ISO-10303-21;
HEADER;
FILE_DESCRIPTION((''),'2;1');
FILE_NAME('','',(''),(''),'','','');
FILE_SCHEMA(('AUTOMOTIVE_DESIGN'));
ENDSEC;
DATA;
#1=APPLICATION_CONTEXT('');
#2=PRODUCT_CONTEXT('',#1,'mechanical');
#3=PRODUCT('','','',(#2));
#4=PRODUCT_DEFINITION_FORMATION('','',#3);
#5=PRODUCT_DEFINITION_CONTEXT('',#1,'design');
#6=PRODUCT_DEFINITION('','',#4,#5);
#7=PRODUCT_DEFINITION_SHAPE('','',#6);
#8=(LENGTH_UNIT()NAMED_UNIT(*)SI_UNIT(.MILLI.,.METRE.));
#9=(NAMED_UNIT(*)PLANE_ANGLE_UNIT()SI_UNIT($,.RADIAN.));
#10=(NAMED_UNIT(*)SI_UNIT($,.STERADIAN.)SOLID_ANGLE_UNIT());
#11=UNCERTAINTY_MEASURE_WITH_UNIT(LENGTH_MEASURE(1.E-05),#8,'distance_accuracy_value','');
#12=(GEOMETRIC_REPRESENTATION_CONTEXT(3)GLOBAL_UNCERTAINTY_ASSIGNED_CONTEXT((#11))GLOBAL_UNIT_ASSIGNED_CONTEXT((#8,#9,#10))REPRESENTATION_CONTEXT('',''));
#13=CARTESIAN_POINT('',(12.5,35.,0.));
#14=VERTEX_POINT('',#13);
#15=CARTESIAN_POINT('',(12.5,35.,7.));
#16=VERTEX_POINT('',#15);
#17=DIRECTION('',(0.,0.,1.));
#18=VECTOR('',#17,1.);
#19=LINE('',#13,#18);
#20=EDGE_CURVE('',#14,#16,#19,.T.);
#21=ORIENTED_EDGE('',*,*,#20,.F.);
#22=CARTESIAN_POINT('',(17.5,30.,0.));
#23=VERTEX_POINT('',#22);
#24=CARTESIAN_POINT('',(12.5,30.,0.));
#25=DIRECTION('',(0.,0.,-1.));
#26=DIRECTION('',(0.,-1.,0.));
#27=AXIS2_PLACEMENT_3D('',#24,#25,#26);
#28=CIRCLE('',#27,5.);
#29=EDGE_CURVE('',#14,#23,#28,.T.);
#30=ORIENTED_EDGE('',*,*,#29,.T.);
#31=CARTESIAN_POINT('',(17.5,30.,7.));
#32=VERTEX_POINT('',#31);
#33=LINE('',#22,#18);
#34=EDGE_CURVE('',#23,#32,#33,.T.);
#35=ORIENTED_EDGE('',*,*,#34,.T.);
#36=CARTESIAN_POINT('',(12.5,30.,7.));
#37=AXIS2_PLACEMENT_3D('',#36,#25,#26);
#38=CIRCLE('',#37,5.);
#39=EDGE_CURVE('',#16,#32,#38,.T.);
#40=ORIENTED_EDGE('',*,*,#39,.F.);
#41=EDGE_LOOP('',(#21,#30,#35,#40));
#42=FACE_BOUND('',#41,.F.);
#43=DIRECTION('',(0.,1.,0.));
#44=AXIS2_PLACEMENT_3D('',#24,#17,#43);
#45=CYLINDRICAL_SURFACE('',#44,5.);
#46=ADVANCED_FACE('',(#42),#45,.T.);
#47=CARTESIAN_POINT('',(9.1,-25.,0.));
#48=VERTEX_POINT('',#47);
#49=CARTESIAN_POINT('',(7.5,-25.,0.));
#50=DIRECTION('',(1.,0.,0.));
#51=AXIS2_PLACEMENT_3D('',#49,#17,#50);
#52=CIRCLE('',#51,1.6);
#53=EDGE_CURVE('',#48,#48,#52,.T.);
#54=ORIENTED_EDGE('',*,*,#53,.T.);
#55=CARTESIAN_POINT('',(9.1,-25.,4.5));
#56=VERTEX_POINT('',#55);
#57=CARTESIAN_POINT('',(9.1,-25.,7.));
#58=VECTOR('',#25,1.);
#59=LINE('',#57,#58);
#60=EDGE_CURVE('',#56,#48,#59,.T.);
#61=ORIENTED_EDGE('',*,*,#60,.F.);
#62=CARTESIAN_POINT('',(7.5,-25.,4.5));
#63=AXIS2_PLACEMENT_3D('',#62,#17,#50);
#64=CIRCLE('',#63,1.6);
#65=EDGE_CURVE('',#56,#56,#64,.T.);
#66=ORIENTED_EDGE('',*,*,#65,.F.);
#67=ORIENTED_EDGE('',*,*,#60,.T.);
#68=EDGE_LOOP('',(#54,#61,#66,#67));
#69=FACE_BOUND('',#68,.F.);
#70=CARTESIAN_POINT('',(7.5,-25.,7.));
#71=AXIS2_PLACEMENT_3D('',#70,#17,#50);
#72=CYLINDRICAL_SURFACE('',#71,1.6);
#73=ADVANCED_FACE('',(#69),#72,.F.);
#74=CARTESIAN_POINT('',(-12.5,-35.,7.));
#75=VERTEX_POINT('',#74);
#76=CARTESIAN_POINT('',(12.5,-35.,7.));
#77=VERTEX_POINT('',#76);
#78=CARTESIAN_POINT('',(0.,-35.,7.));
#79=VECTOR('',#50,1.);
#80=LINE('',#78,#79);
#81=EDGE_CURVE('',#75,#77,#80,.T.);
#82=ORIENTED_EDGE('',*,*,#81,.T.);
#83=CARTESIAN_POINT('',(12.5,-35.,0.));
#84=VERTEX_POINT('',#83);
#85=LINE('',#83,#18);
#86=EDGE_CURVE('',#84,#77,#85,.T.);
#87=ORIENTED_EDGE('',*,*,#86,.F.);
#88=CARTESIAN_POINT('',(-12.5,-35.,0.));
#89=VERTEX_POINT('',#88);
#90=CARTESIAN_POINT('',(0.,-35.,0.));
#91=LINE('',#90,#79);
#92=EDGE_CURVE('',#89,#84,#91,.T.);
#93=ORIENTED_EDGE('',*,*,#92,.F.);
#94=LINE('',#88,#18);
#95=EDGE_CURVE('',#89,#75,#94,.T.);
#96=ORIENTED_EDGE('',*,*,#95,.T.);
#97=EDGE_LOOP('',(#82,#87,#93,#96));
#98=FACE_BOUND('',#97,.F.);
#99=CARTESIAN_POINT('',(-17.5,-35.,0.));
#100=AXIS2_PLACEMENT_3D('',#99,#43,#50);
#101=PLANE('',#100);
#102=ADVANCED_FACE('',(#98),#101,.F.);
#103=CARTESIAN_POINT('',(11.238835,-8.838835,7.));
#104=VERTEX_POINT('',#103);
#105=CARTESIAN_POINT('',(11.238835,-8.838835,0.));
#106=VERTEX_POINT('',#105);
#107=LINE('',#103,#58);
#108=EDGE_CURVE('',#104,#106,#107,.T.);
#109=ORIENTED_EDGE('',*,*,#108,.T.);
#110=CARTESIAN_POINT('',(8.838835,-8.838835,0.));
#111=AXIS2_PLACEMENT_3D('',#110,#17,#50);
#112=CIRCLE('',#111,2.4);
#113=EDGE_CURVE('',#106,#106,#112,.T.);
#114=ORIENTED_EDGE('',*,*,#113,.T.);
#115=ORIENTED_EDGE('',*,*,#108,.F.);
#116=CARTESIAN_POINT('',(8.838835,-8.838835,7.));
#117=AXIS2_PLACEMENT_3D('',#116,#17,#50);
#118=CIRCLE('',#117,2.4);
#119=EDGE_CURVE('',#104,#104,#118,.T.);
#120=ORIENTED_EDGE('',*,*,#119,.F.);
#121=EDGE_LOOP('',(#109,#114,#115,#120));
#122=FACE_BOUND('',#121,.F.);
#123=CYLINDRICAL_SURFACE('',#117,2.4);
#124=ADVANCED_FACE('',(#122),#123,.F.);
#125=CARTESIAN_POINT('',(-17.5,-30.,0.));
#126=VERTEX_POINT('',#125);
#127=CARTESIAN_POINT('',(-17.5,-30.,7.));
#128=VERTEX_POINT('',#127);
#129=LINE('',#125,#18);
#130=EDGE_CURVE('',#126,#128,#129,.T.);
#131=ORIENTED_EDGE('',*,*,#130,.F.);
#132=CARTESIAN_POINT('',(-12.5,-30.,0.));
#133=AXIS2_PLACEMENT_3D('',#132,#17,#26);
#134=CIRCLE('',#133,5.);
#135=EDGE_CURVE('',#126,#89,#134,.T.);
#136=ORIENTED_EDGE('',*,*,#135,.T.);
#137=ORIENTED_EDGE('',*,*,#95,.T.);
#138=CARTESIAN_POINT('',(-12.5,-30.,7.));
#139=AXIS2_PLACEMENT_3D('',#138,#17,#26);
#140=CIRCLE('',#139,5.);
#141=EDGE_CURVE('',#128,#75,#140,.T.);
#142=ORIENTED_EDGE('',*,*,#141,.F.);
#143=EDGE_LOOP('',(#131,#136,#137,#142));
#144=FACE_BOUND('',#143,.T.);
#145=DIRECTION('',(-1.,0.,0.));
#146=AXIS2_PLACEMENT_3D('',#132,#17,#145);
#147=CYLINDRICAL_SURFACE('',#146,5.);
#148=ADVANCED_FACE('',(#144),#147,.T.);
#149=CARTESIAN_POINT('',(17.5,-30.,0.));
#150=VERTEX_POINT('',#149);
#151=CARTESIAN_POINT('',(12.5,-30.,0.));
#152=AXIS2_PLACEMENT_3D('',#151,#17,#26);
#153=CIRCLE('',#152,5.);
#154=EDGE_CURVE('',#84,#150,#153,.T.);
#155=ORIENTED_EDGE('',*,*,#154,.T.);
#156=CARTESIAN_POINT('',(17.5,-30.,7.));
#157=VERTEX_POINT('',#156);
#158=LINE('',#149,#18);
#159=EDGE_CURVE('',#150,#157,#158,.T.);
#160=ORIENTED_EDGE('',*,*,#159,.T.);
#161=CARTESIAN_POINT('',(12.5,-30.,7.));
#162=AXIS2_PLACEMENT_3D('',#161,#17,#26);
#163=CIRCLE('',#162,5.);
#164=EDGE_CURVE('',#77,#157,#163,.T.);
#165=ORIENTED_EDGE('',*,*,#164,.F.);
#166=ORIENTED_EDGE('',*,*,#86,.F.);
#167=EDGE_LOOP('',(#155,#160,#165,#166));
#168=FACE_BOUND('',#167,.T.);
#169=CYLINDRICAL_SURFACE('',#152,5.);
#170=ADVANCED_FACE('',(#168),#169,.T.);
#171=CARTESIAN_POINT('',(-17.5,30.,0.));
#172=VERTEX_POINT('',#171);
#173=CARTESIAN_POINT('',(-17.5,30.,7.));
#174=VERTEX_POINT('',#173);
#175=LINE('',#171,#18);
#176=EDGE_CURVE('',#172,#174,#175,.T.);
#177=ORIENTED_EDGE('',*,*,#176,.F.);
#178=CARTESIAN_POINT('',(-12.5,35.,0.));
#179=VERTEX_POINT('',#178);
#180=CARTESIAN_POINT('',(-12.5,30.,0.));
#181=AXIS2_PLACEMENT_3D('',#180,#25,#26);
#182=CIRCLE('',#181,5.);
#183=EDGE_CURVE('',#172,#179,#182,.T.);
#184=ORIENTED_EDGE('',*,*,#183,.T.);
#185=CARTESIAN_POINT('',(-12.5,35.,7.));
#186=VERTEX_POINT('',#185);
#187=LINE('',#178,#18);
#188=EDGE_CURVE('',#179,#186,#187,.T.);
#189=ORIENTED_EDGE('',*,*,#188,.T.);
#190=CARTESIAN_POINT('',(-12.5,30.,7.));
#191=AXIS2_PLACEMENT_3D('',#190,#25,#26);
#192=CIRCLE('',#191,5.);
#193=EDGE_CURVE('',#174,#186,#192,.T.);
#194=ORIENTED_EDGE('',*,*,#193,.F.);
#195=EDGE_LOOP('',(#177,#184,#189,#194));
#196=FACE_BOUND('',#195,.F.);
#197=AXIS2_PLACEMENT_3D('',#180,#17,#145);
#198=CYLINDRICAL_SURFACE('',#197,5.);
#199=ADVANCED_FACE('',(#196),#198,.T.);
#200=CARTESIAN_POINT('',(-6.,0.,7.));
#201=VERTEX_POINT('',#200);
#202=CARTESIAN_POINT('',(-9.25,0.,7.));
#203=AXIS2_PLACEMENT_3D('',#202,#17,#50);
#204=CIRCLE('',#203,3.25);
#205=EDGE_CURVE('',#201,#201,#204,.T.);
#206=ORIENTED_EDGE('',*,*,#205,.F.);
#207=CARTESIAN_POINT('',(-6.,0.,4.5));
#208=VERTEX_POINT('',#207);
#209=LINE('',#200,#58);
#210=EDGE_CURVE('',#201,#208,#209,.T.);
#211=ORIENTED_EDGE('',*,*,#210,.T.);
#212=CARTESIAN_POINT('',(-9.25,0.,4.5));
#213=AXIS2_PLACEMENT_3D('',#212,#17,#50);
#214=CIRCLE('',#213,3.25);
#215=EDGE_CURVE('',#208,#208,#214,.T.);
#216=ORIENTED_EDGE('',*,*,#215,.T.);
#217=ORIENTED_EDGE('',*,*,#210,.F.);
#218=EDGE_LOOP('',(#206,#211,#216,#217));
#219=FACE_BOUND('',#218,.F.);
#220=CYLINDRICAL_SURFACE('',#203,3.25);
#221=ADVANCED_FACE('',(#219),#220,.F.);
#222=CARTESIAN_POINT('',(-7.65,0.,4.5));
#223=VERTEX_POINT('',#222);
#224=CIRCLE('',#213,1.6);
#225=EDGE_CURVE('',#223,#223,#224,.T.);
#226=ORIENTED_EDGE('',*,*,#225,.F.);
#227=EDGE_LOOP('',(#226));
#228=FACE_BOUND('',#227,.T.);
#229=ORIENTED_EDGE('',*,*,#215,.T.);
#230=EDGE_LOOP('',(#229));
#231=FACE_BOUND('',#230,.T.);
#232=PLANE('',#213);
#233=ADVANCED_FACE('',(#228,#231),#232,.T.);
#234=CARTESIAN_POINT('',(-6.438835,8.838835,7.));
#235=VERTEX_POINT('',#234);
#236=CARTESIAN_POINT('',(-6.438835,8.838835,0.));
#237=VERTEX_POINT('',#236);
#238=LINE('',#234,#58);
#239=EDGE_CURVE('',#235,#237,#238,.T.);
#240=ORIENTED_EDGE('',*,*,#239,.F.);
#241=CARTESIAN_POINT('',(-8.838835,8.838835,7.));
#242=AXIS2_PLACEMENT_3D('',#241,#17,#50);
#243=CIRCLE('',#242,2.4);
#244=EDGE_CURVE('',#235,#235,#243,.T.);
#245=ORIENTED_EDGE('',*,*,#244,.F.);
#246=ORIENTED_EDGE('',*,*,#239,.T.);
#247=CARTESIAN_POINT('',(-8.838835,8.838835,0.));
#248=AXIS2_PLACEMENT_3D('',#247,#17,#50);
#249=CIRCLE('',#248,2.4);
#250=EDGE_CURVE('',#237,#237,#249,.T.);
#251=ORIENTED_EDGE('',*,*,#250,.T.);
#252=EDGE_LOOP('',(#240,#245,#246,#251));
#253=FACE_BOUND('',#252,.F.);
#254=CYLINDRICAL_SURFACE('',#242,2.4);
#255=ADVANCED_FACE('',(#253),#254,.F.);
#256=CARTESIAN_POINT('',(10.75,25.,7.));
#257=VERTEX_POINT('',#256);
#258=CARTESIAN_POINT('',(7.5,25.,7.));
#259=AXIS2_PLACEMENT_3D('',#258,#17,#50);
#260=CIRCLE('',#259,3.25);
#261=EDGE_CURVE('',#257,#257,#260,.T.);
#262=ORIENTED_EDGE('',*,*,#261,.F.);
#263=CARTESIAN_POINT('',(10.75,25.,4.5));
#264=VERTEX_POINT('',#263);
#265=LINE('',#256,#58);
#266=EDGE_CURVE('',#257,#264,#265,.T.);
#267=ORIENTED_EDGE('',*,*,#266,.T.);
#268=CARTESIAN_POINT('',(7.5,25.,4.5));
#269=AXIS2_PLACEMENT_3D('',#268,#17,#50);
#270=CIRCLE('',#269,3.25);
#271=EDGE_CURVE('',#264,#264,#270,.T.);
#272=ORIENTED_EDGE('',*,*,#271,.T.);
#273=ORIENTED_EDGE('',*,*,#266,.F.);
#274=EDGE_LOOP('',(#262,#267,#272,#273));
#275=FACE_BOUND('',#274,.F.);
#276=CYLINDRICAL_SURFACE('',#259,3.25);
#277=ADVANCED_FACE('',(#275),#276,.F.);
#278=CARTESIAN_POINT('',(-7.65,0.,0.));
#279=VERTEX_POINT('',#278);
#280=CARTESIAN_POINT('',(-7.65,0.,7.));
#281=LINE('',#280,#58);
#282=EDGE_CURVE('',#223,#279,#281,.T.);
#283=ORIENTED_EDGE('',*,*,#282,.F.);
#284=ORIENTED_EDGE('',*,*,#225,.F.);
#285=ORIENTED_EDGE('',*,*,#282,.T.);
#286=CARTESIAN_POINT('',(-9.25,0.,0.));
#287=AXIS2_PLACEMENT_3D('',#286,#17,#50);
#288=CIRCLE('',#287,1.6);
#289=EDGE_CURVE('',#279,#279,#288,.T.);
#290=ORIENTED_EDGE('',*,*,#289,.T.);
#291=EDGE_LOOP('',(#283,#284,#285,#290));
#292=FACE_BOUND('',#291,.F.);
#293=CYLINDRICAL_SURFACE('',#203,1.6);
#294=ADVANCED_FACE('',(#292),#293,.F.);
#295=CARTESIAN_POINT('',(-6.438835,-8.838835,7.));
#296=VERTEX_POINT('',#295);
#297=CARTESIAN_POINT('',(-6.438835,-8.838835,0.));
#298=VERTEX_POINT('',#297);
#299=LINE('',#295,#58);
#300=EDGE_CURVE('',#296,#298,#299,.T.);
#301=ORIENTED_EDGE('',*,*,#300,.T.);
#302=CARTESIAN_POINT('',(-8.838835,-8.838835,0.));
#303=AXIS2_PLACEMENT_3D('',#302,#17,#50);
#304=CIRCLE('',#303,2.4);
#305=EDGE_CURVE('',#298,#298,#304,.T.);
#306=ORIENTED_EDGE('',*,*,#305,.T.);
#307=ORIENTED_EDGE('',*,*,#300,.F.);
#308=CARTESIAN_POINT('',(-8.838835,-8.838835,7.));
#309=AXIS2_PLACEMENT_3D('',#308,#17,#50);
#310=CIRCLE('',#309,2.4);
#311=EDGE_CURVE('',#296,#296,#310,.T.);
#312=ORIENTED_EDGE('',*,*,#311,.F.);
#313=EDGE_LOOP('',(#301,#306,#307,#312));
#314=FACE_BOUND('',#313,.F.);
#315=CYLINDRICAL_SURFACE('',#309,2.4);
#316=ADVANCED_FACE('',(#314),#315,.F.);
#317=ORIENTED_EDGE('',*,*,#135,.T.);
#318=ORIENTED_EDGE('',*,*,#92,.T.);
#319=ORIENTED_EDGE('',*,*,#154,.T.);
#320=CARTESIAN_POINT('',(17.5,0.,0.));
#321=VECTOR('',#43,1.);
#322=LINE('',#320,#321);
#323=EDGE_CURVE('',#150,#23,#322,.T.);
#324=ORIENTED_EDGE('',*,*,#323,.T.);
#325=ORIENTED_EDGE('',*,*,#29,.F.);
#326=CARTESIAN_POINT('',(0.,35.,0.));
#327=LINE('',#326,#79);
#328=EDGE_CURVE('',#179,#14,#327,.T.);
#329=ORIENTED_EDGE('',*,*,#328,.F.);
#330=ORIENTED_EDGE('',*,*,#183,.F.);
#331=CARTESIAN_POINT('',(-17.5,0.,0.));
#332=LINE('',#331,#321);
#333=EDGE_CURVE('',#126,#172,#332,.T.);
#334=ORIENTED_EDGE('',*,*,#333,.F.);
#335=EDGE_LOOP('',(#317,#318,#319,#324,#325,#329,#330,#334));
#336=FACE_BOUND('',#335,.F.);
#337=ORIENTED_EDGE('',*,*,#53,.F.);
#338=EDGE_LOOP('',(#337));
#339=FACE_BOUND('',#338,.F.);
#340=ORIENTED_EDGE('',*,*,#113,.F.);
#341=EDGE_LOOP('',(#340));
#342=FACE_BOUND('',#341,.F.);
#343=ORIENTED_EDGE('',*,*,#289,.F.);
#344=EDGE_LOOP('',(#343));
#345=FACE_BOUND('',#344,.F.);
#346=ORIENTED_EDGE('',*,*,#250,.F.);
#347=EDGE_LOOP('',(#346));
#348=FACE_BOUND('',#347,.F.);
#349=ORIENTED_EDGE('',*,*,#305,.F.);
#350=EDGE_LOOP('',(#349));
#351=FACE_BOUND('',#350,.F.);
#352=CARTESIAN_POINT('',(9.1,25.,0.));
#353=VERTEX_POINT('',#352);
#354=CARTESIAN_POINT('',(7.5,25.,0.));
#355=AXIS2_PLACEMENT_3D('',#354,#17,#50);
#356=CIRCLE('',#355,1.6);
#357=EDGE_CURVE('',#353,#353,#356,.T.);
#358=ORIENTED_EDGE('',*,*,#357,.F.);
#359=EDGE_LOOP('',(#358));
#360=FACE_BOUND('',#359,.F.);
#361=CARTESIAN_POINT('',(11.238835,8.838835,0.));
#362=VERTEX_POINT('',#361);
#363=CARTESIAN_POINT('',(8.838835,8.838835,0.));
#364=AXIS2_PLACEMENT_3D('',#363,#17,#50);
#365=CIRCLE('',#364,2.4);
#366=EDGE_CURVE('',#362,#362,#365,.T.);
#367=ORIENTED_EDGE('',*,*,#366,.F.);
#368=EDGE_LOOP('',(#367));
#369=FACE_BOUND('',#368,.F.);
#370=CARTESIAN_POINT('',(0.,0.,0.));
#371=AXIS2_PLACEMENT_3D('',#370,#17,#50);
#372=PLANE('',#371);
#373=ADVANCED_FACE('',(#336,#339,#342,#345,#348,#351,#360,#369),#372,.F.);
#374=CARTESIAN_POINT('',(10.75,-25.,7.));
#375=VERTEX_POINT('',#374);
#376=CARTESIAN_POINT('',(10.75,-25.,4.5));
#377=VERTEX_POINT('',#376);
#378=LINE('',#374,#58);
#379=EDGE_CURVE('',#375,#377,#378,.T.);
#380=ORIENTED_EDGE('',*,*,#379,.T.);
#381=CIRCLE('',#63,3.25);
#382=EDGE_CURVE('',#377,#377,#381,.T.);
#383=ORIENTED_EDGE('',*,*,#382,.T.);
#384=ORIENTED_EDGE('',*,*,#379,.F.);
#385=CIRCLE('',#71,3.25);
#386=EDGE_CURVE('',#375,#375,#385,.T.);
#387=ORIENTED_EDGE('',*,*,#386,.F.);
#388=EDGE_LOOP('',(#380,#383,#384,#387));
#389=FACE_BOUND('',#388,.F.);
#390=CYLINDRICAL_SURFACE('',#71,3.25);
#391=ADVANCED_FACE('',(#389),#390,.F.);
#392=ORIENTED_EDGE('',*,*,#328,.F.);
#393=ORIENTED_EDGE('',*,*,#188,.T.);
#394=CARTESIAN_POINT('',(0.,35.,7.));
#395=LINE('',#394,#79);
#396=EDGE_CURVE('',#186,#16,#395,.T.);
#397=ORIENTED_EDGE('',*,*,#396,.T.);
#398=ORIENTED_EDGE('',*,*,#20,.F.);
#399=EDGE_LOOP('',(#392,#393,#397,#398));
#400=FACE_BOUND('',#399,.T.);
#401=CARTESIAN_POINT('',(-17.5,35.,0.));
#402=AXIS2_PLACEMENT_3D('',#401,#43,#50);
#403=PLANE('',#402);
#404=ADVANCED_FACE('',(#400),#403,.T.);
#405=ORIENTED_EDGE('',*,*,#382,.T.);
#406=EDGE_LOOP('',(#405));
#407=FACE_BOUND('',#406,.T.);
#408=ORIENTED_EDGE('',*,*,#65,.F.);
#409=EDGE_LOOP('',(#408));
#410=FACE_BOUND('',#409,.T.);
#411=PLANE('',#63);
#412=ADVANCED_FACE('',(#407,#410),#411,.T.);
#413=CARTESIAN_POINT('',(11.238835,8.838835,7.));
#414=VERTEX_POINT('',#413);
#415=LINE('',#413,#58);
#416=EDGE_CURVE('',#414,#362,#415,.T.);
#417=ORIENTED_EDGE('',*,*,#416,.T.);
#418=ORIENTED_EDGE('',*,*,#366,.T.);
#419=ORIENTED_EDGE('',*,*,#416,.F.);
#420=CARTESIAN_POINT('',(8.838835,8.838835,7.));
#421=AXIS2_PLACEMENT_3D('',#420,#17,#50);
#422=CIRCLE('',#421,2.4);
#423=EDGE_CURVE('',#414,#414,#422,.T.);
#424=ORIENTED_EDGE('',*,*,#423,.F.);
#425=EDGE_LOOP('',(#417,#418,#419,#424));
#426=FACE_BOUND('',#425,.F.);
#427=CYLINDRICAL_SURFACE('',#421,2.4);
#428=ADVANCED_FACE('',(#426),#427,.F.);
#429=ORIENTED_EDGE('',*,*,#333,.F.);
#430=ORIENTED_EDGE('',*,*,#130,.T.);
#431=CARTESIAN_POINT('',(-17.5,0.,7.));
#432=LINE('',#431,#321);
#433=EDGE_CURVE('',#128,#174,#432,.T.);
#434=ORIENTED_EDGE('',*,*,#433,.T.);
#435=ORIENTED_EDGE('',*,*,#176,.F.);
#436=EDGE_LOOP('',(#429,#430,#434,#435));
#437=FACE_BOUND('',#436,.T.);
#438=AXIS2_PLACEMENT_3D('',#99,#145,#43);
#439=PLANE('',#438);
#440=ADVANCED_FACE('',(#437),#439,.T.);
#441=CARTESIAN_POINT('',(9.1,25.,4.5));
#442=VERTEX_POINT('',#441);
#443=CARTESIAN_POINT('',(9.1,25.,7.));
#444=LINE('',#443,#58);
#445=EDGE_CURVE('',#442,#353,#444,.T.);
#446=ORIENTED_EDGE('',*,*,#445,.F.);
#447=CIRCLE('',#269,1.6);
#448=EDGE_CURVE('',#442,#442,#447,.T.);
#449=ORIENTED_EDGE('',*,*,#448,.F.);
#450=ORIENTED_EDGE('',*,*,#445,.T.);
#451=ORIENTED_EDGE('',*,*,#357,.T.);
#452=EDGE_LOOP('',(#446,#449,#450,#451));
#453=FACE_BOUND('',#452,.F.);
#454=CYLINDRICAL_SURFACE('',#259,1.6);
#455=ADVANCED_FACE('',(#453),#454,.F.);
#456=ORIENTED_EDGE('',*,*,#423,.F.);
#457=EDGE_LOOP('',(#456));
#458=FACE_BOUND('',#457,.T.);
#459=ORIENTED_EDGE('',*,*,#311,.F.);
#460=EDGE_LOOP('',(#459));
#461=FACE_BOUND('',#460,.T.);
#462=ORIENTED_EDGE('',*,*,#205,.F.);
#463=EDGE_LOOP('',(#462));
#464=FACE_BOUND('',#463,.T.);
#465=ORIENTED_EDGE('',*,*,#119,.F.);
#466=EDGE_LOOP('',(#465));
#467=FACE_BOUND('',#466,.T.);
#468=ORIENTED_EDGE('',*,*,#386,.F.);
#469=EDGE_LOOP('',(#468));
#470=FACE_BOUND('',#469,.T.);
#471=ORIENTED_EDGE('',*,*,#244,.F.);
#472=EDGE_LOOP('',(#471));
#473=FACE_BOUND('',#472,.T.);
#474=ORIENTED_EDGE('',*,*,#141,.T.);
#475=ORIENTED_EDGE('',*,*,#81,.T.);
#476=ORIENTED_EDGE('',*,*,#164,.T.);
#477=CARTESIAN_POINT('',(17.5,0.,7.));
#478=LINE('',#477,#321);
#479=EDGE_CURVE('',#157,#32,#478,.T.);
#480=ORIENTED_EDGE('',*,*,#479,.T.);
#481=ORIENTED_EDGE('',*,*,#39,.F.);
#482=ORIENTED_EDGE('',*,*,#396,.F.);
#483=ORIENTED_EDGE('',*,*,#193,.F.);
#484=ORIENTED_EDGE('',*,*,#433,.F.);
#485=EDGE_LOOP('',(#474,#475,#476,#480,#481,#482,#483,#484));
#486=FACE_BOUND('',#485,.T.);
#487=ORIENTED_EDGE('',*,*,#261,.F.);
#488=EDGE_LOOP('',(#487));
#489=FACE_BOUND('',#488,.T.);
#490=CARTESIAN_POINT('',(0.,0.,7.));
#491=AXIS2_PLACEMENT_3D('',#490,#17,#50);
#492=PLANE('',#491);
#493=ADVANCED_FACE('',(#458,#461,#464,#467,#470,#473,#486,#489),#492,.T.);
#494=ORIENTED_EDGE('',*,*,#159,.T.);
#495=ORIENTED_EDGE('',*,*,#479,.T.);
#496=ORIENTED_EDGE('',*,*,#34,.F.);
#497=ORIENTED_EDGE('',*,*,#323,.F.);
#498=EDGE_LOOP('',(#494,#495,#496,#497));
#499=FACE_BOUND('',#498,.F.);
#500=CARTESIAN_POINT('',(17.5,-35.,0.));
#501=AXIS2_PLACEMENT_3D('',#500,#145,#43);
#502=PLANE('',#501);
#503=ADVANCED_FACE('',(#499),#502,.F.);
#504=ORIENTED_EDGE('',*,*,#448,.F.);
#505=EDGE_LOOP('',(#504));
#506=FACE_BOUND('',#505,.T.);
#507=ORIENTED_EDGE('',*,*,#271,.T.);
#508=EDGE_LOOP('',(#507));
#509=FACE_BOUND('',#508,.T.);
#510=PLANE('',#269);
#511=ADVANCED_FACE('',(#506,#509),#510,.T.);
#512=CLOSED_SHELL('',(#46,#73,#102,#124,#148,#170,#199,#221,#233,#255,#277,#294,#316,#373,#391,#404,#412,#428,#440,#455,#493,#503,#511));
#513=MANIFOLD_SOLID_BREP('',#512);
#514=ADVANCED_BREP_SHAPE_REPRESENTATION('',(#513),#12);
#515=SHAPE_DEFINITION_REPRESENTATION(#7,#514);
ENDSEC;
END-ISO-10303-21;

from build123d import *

# Parameters (mm, degrees)
SKETCH054_W     = 35
SKETCH054_H     = 70
PAD009_DEPTH    = 7
SKETCH055_R     = 1.6
SKETCH055_R_2   = 2.4
POCKET035_DEPTH = 10
SKETCH056_R     = 3.25
POCKET036_DEPTH = 2.5
FILLET004_R     = 5


with BuildPart() as part:
    # Sketch054 → Pad009 (new body)
    with BuildSketch(Plane.XY):
        Rectangle(SKETCH054_W, SKETCH054_H)
    extrude(amount=PAD009_DEPTH)

    # Sketch055 (on Face6 of Pad009) → Pocket035 (cut)
    with BuildSketch(Plane.XY.offset(7)):
        with Locations((7.5, 25)):
            Circle(SKETCH055_R)
        with Locations((-9.25, 0)):
            Circle(SKETCH055_R)
        with Locations((7.5, -25)):
            Circle(SKETCH055_R)
        with Locations((-8.8388347648, 8.8388347648)):
            Circle(SKETCH055_R_2)
        with Locations((8.8388347648, 8.8388347648)):
            Circle(SKETCH055_R_2)
        with Locations((-8.8388347648, -8.8388347648)):
            Circle(SKETCH055_R_2)
        with Locations((8.8388347648, -8.8388347648)):
            Circle(SKETCH055_R_2)
    extrude(amount=-POCKET035_DEPTH, mode=Mode.SUBTRACT)

    # Sketch056 (on Face5 of Pocket035) → Pocket036 (cut)
    with BuildSketch(Plane.XY.offset(7)):
        with Locations((-9.25, 0)):
            Circle(SKETCH056_R)
        with Locations((7.5, 25)):
            Circle(SKETCH056_R)
        with Locations((7.5, -25)):
            Circle(SKETCH056_R)
    extrude(amount=-POCKET036_DEPTH, mode=Mode.SUBTRACT)

    # Fillet004
    fillet004_edges = [part.edges().sort_by_distance(p)[0] for p in [
        (-17.5, -35, 3.5),
        (17.5, -35, 3.5),
        (-17.5, 35, 3.5),
        (17.5, 35, 3.5),
    ]]
    fillet(fillet004_edges, radius=FILLET004_R)


solid = part.part
